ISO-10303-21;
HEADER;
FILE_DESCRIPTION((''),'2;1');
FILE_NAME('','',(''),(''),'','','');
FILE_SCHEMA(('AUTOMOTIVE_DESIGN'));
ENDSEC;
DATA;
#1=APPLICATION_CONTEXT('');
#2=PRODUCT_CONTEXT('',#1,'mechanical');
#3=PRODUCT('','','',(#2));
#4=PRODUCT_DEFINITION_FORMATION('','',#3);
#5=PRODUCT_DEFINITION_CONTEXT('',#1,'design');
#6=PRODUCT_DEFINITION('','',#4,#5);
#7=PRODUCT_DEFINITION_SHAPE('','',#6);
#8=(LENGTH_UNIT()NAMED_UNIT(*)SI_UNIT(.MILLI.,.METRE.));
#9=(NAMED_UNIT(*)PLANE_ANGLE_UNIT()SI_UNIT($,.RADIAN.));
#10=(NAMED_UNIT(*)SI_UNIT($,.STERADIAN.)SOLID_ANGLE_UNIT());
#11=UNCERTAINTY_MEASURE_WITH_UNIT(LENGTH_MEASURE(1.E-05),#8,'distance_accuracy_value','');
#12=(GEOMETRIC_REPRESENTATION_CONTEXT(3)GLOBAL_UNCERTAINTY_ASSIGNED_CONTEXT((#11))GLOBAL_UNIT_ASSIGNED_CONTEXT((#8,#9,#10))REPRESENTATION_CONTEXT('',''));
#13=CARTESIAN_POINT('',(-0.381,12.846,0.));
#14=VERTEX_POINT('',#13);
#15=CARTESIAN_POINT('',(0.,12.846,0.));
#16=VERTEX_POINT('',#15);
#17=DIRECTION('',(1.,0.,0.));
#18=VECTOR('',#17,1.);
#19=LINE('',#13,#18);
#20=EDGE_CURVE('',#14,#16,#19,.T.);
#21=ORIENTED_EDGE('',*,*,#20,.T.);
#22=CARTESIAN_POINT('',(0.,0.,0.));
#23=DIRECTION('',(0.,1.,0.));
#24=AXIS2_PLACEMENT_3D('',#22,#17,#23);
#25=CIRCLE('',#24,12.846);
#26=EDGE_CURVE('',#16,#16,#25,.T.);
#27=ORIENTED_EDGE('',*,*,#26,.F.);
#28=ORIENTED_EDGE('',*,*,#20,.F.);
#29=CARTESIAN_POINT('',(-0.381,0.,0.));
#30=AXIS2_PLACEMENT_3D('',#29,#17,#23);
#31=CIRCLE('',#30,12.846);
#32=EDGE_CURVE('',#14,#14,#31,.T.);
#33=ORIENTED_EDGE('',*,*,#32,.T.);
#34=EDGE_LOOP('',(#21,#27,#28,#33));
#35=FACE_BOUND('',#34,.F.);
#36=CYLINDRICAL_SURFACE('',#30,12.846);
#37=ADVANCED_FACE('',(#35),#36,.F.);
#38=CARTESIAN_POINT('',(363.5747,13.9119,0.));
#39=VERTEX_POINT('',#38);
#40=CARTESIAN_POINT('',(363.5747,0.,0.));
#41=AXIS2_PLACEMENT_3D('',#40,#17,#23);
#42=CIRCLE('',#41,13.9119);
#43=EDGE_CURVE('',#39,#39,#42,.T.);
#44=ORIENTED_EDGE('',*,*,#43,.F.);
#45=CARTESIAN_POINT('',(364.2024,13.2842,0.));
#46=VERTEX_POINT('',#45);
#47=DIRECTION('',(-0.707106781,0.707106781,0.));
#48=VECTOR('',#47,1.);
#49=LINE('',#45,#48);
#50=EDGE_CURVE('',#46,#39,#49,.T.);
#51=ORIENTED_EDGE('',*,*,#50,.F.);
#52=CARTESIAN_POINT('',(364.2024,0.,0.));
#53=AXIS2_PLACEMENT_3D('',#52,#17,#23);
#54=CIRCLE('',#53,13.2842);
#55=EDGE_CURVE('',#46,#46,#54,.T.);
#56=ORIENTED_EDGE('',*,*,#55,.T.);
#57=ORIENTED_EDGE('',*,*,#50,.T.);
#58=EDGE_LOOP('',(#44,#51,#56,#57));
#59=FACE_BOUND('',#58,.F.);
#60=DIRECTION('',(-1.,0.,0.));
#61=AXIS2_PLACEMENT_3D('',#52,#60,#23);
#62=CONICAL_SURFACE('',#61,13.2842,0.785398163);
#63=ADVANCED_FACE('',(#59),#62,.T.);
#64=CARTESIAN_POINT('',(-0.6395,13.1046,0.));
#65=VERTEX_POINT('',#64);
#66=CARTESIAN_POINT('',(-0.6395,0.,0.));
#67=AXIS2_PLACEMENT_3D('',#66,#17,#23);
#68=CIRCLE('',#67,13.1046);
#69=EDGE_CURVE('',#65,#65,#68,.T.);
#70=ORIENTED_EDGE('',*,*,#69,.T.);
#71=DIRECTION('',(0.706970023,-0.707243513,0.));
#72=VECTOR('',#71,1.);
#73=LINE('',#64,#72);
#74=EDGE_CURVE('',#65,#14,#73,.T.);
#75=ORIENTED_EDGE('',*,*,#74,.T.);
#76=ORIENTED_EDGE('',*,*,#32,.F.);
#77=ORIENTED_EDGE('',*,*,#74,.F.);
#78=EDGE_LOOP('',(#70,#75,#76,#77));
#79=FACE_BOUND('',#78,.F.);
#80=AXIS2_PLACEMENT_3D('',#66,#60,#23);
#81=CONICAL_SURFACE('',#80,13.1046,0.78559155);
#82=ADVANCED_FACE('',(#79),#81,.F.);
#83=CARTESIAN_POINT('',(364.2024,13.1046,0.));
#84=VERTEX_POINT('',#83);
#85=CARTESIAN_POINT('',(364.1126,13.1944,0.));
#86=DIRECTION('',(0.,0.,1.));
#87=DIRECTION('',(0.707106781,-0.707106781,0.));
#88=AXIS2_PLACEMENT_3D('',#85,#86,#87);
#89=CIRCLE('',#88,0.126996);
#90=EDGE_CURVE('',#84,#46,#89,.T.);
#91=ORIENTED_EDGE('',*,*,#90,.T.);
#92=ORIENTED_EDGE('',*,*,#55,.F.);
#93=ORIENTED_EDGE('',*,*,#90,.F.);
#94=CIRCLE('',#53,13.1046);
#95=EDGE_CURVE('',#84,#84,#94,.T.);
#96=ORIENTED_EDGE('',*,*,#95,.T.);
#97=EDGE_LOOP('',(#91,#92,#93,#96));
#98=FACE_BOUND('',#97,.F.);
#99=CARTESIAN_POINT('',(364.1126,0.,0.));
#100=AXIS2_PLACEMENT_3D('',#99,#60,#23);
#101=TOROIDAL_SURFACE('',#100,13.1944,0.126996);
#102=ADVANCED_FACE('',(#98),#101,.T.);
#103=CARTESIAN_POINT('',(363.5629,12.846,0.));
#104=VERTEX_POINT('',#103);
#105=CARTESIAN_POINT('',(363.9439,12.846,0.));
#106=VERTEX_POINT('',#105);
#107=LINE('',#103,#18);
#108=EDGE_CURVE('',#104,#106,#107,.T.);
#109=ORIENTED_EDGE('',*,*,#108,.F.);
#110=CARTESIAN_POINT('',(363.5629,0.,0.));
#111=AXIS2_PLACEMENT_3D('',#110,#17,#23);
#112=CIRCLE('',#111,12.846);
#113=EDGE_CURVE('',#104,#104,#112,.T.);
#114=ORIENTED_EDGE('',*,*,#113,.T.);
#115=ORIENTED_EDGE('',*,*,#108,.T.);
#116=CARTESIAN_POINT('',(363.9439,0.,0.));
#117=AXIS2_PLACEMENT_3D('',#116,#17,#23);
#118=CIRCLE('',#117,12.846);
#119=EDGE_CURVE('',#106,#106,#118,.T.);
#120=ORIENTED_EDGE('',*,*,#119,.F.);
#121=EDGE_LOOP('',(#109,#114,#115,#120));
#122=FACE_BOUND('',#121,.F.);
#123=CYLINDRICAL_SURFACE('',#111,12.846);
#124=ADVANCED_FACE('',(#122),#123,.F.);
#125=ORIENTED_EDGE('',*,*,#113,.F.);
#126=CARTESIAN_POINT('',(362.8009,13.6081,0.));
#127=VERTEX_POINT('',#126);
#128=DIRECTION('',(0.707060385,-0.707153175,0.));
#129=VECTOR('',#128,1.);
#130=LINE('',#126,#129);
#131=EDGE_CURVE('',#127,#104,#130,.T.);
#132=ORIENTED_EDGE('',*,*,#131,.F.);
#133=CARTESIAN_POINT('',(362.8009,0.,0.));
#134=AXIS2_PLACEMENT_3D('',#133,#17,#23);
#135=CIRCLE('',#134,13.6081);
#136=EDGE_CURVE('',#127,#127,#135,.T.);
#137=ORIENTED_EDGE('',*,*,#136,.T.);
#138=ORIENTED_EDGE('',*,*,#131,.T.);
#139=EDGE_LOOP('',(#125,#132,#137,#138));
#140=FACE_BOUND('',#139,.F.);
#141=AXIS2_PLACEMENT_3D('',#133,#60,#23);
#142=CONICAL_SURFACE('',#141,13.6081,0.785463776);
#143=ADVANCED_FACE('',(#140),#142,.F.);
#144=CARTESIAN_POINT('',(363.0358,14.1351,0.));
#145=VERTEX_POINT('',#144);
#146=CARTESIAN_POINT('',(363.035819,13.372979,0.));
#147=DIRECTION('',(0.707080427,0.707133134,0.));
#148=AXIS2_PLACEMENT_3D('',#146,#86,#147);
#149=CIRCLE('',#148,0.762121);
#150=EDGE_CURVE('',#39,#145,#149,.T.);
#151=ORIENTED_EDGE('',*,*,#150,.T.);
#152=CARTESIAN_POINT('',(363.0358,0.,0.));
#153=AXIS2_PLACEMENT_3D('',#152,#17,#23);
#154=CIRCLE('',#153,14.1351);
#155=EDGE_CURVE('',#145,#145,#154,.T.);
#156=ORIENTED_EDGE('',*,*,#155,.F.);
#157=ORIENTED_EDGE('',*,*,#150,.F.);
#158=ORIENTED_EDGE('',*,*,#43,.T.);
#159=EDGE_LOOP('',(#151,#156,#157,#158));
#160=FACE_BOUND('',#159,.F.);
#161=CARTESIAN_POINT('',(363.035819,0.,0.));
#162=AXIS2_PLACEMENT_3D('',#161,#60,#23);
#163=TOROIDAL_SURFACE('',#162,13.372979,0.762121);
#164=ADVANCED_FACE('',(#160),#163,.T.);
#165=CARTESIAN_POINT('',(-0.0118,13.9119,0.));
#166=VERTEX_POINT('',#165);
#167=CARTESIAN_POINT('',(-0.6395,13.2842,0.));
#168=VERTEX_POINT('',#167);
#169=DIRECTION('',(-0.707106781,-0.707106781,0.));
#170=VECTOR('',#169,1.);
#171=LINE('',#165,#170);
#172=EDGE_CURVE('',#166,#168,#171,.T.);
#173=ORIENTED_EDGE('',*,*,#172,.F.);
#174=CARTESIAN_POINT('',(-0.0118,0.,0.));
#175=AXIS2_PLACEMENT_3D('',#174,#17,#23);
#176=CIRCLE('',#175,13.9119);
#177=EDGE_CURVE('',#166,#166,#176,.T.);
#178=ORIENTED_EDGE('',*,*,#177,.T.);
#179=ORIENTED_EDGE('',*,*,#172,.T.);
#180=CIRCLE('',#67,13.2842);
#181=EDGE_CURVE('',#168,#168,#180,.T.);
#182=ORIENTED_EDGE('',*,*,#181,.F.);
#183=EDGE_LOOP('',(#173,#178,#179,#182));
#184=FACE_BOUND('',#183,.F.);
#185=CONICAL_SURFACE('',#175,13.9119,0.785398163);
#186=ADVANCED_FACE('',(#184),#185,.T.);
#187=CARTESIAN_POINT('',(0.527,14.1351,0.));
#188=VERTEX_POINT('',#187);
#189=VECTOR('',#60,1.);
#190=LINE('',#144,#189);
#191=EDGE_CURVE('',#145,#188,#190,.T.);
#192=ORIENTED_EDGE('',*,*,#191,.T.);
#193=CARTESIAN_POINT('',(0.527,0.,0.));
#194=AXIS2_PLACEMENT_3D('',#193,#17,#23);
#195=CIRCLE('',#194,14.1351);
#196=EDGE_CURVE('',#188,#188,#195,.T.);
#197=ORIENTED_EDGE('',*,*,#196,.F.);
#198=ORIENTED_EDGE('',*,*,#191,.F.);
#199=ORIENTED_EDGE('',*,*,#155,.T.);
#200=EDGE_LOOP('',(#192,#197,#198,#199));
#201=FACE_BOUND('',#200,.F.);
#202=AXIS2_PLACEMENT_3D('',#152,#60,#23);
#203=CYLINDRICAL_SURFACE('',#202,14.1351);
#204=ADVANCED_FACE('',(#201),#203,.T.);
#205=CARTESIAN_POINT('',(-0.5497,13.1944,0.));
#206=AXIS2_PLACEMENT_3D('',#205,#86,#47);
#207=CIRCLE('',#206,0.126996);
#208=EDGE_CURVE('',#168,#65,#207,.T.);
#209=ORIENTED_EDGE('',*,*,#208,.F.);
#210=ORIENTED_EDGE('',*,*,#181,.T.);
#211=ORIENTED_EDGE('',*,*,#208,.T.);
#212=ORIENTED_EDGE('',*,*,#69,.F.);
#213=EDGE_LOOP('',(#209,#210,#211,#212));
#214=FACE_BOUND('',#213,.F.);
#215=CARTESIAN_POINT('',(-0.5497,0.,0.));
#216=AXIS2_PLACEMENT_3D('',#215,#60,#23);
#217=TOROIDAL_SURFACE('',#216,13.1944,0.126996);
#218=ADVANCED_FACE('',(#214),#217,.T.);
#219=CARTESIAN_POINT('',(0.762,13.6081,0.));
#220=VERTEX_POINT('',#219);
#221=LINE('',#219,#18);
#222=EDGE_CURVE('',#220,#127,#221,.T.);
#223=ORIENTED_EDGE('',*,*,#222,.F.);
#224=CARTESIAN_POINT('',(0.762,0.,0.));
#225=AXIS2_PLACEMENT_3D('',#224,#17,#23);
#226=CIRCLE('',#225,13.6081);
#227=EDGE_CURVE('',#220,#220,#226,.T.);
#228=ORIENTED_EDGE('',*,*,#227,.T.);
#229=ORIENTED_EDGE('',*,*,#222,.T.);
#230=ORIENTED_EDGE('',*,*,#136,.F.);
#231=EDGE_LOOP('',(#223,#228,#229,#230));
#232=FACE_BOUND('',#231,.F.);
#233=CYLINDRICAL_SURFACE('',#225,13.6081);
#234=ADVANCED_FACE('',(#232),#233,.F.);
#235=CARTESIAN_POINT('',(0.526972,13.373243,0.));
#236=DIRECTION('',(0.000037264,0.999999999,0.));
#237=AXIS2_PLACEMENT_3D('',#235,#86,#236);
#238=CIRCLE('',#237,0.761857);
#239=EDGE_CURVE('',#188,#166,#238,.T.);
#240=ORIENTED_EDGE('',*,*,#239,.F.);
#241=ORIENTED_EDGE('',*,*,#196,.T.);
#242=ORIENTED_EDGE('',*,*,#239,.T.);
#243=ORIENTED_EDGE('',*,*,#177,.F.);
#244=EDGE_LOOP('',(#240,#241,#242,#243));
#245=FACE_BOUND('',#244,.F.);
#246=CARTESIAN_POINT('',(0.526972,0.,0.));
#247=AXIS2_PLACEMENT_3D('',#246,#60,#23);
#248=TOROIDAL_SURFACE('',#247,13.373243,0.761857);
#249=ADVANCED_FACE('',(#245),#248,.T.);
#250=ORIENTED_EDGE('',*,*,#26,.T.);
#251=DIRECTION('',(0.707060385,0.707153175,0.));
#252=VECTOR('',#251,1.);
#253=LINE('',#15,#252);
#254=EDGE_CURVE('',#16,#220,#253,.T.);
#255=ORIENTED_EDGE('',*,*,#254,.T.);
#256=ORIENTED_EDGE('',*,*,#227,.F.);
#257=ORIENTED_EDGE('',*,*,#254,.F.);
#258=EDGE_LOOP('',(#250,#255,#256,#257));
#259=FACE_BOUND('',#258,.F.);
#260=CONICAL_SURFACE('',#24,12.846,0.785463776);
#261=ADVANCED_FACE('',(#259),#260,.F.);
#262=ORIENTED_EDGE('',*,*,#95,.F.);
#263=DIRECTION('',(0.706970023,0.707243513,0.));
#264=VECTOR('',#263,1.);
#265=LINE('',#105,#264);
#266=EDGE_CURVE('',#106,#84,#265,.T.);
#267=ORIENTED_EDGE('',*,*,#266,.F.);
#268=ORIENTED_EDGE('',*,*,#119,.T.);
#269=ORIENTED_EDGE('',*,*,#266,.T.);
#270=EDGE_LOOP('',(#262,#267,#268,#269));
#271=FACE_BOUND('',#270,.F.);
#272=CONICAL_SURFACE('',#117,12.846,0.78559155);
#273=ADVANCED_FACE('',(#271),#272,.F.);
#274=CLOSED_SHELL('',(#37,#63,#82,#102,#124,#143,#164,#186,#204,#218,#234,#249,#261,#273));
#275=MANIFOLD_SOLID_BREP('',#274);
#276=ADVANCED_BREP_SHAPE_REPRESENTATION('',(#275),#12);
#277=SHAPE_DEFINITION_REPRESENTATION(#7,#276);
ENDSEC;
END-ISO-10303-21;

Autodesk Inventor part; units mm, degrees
sketch "Sketch_1" plane through (0, 0, 0) normal (0, 0, 1) x (1, 0, 0)
  line L0 (363.5629, 0) -> (0, 0)
  arc A0 (-0.6395, 13.2842) -> (-0.6395, 13.1046) centre (-0.5497, 13.1944) ccw
  line L1 (-0.6395, 13.1046) -> (-0.381, 12.846)
  line L2 (-0.381, 12.846) -> (0, 12.846)
  line L3 (0, 12.846) -> (0.762, 13.6081)
  line L4 (0.762, 13.6081) -> (362.8009, 13.6081)
  line L5 (362.8009, 13.6081) -> (363.5629, 12.846)
  line L6 (363.5629, 12.846) -> (363.9439, 12.846)
  line L7 (363.9439, 12.846) -> (364.2024, 13.1046)
  arc A1 (364.2024, 13.1046) -> (364.2024, 13.2842) centre (364.1126, 13.1944) ccw
  line L8 (364.2024, 13.2842) -> (363.5747, 13.9119)
  arc A2 (363.5747, 13.9119) -> (363.0358, 14.1351) centre (363.0359, 13.3731) ccw
  line L9 (363.0358, 14.1351) -> (0.527, 14.1351)
  arc A3 (0.527, 14.1351) -> (-0.0118, 13.9119) centre (0.527, 13.3731) ccw
  line L10 (-0.0118, 13.9119) -> (-0.6395, 13.2842)
revolve "Revolution1" add sketch "Sketch_1" angle 360 about axis through (363.5629, 0, 0) along (1, 0, 0)
ref_plane "tube_front_XY" through (0, 0, 0) normal (1, 0, 0) x (0, 0, -1)
ref_plane "tube_front_YZ" through (0, 0, 0) normal (0, 0, -1) x (0, 1, 0)
ref_plane "tube_front_ZX" through (0, 0, 0) normal (0, 1, 0) x (1, 0, 0)
ref_plane "tube_rear_XY" through (363.5629, 0, 0) normal (1, 0, 0) x (0, 0, -1)
ref_plane "tube_rear_YZ" through (363.5629, 0, 0) normal (0, 0, -1) x (0, 1, 0)
ref_plane "tube_rear_ZX" through (363.5629, 0, 0) normal (0, 1, 0) x (1, 0, 0)
ref_plane "cp1_XY" through (181.7815, 14.1351, 0) normal (1, 0, 0) x (0, 0, -1)
ref_plane "cp1_YZ" through (181.7815, 14.1351, 0) normal (0, 0, -1) x (0, 1, 0)
ref_plane "cp1_ZX" through (181.7815, 14.1351, 0) normal (0, 1, 0) x (1, 0, 0)
ref_plane "cp2_XY" through (181.7815, 0, -14.1351) normal (1, 0, 0) x (0, 0, -1)
ref_plane "cp2_YZ" through (181.7815, 0, -14.1351) normal (0, 0, -1) x (0, 1, 0)
ref_plane "cp2_ZX" through (181.7815, 0, -14.1351) normal (0, 1, 0) x (1, 0, 0)
ref_plane "cp3_XY" through (181.7815, -14.1351, 0) normal (1, 0, 0) x (0, 0, -1)
ref_plane "cp3_YZ" through (181.7815, -14.1351, 0) normal (0, 0, -1) x (0, 1, 0)
ref_plane "cp3_ZX" through (181.7815, -14.1351, 0) normal (0, 1, 0) x (1, 0, 0)
ref_plane "cp4_XY" through (181.7815, 0, 14.1351) normal (1, 0, 0) x (0, 0, -1)
ref_plane "cp4_YZ" through (181.7815, 0, 14.1351) normal (0, 0, -1) x (0, 1, 0)
ref_plane "cp4_ZX" through (181.7815, 0, 14.1351) normal (0, 1, 0) x (1, 0, 0)
properties part number "09R-14.31350" material "Stainless Steel"
